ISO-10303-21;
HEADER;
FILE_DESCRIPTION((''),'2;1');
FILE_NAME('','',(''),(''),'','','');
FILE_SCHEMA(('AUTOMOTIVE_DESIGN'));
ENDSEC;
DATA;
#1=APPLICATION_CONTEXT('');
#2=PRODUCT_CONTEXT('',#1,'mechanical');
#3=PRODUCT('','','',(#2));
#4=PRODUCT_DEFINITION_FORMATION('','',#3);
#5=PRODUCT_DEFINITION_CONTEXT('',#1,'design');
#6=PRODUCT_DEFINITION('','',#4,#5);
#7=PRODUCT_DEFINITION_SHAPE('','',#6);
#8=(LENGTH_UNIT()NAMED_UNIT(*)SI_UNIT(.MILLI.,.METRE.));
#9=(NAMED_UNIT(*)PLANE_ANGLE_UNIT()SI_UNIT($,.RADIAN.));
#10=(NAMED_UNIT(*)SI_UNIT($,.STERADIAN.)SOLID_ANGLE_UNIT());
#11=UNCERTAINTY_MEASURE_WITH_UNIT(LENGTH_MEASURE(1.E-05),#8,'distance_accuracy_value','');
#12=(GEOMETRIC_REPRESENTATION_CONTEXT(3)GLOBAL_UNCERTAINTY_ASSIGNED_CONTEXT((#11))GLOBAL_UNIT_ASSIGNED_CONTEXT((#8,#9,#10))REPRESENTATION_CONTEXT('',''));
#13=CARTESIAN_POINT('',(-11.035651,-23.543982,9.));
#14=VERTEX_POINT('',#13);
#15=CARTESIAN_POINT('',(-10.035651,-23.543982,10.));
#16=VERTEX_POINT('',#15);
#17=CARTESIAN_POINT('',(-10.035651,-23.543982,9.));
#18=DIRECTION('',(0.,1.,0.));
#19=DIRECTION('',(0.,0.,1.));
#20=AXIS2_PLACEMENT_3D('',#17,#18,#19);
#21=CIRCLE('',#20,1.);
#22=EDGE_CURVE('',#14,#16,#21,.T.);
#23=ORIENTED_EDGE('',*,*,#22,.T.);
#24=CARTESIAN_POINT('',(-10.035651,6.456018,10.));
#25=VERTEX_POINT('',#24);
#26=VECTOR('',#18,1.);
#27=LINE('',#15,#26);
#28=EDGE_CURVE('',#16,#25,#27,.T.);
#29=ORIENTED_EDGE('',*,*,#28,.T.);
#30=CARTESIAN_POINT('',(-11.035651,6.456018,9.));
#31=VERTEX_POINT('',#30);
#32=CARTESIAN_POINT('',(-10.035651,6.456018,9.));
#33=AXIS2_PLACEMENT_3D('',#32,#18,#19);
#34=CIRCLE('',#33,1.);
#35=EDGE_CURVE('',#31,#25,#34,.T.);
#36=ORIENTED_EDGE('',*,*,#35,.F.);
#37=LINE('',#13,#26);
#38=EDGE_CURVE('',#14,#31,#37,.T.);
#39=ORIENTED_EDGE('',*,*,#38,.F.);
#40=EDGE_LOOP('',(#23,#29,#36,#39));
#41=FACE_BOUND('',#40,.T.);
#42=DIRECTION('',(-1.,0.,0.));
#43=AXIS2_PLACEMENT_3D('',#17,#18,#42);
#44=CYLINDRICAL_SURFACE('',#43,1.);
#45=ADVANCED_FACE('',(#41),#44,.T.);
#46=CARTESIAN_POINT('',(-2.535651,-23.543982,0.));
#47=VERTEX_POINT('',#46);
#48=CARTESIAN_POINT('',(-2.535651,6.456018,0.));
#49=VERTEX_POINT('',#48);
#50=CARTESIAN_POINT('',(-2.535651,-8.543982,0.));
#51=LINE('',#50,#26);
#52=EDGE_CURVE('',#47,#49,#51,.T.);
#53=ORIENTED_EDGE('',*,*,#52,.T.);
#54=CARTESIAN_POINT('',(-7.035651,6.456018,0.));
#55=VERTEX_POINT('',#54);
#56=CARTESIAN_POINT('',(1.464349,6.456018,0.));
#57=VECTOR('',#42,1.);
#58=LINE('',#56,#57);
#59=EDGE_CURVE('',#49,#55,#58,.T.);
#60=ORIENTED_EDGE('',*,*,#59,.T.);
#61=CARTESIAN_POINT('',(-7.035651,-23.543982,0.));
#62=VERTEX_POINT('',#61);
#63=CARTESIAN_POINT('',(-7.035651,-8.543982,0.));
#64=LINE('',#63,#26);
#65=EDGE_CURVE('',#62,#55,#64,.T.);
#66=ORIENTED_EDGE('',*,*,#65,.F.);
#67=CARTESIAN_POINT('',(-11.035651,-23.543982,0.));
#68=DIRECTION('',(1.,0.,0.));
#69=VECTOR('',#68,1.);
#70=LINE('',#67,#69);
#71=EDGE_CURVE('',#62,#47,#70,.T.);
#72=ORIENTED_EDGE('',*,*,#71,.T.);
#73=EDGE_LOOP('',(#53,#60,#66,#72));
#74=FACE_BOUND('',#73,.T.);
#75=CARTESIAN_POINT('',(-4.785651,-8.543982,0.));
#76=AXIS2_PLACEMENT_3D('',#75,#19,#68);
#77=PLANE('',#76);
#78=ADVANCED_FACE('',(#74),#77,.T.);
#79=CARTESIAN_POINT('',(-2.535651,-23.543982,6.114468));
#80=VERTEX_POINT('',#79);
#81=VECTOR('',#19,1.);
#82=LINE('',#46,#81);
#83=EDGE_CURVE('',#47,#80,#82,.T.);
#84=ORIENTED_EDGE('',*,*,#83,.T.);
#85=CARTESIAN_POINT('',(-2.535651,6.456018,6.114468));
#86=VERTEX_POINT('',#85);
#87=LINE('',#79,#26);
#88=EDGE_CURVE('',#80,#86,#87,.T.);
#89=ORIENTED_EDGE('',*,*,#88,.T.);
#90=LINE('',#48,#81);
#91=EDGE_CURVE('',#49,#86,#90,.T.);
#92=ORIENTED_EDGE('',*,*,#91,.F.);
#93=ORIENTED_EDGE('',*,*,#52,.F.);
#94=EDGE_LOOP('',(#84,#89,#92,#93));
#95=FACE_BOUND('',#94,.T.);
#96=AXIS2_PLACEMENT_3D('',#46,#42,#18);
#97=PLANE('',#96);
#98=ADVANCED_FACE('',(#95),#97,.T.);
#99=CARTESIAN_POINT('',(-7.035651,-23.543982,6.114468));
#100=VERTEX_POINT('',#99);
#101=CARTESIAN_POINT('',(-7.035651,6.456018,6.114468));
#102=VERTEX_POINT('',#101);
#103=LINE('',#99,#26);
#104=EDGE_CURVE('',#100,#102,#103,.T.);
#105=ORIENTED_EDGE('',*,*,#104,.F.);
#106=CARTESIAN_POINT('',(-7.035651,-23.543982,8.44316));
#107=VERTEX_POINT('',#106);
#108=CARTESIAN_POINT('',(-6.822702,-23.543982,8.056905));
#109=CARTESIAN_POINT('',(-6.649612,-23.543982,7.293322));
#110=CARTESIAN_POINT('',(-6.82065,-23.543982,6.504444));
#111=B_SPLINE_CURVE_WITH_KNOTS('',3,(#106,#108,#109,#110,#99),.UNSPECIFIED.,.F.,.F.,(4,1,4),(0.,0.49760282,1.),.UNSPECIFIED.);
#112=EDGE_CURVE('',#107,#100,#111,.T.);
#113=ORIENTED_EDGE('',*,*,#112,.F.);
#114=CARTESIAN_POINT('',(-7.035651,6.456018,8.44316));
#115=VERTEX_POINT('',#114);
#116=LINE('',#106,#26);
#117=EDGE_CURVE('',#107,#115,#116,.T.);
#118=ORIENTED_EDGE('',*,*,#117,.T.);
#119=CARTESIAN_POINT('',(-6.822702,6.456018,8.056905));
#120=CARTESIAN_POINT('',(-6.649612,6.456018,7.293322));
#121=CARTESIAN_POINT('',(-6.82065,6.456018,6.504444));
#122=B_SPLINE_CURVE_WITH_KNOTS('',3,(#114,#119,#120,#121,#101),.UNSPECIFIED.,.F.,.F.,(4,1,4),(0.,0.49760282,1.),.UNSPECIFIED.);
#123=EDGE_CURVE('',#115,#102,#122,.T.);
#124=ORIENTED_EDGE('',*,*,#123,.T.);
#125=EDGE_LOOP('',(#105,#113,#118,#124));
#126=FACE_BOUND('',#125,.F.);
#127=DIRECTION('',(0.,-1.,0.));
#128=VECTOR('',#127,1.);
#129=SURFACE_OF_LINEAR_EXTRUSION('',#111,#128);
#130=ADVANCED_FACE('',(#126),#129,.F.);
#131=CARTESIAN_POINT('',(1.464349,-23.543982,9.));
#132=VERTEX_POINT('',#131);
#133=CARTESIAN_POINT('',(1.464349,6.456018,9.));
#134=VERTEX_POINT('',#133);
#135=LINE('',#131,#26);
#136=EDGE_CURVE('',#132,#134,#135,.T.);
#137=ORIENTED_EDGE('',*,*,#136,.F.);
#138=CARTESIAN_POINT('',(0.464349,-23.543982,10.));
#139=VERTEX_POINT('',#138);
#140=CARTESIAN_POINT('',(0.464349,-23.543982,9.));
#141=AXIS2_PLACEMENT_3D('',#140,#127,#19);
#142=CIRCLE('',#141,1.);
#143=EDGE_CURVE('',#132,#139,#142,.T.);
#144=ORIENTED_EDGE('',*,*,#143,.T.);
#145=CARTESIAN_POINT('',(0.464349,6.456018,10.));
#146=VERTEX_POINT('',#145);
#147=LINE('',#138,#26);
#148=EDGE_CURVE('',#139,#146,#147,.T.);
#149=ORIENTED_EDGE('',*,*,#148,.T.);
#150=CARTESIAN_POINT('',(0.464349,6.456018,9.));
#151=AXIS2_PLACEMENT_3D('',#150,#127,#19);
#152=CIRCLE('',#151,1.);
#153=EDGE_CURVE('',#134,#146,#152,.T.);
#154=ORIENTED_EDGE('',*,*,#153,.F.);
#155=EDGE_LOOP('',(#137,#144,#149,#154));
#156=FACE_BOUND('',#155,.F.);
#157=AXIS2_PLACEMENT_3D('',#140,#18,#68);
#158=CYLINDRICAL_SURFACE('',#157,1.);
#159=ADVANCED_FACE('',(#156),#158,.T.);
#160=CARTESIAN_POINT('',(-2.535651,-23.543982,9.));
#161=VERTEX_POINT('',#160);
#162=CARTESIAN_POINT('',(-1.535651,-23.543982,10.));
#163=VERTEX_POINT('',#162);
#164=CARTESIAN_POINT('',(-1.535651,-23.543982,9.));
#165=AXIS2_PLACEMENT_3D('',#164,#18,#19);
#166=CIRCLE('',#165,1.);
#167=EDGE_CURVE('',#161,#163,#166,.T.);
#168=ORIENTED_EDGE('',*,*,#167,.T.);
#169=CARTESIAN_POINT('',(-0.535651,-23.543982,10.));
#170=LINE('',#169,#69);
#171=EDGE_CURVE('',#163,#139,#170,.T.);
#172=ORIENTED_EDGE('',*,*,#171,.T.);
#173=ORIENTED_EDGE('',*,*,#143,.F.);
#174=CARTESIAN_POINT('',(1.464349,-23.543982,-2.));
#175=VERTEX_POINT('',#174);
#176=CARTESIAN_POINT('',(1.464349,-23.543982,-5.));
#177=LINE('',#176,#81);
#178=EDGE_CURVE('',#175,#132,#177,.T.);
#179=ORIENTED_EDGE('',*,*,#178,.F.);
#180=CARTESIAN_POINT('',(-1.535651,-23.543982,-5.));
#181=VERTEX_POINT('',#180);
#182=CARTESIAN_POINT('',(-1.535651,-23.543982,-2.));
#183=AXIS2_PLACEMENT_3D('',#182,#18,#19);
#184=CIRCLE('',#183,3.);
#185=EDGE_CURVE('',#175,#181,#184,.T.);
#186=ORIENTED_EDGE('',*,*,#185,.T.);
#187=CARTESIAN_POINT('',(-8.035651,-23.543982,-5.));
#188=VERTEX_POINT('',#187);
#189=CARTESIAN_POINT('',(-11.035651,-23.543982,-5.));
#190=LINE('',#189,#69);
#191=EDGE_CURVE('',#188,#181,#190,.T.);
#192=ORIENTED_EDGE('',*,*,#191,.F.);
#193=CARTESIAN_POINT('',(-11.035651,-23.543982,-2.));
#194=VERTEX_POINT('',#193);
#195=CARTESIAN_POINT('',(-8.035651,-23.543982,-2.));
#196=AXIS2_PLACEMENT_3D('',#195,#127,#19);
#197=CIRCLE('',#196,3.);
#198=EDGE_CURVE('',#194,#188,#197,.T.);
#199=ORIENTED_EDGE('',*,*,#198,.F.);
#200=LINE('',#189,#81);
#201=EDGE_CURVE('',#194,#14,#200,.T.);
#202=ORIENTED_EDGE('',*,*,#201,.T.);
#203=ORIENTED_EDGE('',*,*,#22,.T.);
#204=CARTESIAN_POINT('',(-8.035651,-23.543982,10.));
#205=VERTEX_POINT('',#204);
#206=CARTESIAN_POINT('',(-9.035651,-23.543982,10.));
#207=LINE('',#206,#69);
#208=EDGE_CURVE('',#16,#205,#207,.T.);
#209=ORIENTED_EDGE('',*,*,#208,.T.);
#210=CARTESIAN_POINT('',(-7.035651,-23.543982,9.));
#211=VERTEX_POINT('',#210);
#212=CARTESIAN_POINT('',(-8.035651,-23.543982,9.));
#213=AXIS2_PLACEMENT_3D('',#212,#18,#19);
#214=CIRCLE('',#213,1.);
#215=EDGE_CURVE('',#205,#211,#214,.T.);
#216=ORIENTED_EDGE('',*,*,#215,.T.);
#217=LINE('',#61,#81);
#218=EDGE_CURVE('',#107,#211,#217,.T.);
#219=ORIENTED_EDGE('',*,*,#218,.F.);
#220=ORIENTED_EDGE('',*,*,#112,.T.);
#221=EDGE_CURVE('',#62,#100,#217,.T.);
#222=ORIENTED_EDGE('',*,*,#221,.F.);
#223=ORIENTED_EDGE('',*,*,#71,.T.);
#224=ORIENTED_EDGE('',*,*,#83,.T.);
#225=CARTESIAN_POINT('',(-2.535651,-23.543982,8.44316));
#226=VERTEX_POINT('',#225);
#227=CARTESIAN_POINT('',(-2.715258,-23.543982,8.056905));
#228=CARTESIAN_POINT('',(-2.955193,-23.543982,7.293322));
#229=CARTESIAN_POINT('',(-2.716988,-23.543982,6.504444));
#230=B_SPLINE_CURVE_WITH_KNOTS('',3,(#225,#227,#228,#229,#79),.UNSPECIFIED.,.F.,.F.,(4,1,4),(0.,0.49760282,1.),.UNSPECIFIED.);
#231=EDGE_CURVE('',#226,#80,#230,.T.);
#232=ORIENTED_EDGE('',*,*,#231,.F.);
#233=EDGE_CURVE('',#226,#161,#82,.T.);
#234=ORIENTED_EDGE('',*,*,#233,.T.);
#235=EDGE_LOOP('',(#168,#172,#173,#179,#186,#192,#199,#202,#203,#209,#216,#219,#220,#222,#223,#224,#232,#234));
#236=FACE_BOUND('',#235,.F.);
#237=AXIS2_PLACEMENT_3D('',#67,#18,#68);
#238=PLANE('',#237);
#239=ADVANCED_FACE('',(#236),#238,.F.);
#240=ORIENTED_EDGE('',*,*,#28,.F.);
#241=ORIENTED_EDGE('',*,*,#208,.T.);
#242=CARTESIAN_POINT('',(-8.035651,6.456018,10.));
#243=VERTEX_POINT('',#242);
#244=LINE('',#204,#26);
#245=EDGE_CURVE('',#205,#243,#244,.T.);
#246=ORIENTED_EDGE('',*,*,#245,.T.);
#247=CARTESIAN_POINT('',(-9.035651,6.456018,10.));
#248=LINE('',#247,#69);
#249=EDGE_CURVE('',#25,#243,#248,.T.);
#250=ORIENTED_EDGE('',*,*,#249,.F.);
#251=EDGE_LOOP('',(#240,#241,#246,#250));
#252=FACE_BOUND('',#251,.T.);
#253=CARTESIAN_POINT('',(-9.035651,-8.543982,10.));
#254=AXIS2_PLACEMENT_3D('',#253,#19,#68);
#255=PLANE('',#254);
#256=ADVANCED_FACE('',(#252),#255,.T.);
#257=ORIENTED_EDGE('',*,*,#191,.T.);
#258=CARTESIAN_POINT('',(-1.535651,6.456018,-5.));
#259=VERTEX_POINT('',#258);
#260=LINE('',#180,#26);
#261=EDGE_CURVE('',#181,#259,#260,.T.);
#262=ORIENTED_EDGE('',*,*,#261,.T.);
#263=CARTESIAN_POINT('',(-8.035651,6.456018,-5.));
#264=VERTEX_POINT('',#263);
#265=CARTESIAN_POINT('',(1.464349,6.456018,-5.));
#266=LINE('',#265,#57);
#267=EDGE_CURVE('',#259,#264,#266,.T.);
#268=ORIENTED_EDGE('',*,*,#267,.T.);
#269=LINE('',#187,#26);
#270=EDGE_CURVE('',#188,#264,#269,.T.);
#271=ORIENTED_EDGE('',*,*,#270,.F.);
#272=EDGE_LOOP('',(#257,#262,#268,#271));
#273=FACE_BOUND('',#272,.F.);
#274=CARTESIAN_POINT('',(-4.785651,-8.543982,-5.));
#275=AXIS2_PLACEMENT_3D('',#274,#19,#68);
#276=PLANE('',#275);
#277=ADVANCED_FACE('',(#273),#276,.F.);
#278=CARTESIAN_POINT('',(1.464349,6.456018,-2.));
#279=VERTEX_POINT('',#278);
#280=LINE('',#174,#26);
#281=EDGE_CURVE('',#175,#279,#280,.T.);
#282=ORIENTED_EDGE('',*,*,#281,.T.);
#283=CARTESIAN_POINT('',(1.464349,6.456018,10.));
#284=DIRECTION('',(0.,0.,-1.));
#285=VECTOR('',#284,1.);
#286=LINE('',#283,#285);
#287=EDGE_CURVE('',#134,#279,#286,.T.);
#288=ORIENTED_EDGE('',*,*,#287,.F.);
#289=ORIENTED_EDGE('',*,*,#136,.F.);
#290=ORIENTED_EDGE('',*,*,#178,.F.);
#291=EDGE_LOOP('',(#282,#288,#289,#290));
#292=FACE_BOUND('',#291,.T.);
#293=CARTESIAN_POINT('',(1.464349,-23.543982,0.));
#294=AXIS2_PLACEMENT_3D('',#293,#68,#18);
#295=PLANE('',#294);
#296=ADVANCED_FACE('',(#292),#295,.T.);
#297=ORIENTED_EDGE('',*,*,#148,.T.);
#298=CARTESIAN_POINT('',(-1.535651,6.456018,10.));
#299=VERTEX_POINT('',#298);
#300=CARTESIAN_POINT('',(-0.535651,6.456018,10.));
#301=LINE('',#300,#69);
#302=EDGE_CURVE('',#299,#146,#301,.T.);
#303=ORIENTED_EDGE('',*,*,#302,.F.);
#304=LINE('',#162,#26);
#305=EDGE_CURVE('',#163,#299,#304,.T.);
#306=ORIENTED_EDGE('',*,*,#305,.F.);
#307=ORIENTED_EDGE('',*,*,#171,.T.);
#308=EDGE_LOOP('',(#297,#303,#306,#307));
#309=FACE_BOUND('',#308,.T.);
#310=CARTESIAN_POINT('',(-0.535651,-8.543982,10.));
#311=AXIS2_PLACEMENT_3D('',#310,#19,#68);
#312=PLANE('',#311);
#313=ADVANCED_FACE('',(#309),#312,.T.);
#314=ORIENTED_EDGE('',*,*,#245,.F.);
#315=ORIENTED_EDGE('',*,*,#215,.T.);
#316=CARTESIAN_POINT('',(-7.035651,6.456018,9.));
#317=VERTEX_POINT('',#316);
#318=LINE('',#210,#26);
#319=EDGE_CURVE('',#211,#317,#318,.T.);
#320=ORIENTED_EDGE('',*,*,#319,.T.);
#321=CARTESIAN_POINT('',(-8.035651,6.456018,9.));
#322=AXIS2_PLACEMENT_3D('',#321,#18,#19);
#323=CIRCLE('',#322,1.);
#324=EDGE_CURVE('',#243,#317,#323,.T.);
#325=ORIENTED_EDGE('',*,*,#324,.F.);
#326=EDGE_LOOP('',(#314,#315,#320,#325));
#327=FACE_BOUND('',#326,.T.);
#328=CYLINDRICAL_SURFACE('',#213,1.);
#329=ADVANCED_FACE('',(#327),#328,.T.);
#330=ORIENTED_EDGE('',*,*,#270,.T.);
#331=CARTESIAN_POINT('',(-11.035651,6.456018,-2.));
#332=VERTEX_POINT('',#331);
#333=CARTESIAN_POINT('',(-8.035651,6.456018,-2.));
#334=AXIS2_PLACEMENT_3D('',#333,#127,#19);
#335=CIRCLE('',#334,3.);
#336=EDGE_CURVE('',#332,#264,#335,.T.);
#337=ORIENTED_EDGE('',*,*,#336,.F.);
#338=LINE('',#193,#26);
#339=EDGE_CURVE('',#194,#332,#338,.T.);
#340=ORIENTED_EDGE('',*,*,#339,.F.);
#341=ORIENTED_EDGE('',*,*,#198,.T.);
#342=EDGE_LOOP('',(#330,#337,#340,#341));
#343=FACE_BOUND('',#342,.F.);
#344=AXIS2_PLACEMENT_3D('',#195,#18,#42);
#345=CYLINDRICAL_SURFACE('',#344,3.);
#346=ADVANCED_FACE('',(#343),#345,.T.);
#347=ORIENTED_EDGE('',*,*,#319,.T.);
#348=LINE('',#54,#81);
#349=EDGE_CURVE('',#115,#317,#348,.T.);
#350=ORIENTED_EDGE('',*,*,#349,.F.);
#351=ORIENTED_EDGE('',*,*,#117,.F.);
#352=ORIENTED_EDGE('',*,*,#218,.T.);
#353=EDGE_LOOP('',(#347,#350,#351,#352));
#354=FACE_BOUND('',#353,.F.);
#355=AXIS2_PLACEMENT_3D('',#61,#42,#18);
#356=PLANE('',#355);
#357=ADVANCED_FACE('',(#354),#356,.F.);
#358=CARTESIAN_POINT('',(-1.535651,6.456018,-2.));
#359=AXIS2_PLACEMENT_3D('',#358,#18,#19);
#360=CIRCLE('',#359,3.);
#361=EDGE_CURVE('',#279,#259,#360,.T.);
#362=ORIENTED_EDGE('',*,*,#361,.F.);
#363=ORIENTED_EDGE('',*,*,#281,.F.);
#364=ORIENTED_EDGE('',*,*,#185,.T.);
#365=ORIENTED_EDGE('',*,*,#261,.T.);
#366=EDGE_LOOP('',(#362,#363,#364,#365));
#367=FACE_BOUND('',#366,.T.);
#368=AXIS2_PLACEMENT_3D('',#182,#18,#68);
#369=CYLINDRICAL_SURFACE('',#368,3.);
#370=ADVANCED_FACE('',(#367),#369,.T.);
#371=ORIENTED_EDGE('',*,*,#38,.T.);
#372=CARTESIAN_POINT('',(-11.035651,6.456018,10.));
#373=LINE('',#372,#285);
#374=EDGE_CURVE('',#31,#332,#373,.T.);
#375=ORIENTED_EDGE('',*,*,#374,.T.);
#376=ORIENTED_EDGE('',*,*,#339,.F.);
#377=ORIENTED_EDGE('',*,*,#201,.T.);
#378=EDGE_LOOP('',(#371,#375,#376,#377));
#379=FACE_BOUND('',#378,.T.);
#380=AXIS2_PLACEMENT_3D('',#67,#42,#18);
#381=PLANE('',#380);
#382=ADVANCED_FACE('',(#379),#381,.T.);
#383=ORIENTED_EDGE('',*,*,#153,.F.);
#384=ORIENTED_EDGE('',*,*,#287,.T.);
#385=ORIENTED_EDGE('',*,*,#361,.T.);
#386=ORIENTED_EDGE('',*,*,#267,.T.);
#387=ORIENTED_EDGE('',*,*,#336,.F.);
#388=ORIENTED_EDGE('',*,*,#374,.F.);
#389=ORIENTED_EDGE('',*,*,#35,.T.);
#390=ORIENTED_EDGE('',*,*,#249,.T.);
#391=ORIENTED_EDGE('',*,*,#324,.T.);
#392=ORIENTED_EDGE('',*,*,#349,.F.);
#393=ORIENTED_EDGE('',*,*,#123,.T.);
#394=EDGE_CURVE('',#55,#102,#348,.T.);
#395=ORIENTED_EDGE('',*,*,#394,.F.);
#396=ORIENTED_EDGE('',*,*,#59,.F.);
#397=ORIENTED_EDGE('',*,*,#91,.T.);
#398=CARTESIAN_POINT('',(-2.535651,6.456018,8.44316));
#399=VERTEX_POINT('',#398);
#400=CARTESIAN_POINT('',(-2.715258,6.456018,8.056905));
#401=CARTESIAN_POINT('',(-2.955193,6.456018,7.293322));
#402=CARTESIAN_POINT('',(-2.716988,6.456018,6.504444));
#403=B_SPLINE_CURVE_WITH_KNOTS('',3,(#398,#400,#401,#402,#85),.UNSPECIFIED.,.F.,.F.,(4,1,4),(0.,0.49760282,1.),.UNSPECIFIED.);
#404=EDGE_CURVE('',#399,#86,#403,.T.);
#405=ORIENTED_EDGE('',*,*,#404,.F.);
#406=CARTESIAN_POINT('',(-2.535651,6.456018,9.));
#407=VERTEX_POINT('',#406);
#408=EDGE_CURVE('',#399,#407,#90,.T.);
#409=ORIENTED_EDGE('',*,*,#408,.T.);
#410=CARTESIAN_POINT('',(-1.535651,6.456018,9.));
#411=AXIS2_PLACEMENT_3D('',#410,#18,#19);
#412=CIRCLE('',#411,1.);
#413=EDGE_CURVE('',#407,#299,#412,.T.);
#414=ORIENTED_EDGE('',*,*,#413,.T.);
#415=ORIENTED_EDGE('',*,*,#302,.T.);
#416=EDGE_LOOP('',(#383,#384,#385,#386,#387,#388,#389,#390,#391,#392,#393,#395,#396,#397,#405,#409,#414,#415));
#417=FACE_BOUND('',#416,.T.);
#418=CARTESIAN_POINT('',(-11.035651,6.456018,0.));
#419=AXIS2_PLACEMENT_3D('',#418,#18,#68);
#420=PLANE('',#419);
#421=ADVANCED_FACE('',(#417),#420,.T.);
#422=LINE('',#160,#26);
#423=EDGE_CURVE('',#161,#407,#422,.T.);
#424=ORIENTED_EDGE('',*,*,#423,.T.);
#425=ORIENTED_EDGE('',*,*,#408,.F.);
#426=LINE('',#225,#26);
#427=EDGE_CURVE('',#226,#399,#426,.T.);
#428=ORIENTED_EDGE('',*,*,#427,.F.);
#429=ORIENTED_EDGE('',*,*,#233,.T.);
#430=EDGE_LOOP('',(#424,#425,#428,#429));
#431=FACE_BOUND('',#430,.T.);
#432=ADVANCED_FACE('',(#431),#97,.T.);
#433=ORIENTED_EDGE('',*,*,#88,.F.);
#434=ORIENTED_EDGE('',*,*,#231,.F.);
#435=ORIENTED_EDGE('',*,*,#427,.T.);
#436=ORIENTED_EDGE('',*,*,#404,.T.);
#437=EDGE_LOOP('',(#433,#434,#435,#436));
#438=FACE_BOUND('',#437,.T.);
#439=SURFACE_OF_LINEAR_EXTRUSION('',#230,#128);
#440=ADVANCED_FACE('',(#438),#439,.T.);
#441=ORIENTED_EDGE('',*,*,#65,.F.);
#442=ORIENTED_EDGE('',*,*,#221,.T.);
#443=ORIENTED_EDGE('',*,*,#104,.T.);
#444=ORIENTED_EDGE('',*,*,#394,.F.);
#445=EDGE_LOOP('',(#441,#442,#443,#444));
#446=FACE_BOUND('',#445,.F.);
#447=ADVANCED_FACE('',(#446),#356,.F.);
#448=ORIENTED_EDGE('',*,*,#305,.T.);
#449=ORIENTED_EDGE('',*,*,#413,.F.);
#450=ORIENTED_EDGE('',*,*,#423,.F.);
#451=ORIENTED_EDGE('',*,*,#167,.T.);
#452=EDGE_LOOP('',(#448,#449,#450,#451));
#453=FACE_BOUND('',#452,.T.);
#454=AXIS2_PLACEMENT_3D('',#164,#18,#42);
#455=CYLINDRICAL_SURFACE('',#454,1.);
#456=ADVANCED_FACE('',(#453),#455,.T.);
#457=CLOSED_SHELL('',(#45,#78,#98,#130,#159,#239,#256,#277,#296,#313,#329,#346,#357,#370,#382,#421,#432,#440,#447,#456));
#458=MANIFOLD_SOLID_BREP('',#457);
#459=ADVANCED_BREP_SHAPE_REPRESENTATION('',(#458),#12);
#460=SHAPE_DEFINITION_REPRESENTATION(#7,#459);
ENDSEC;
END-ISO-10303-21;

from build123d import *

# Parameters (mm, degrees)
F0_W     = 4.5
F0_H     = 30
F0_W_2   = 4
F1_DEPTH = 5
F2_DEPTH = 10
F3_R     = 3
F4_R     = 1
F6_DEPTH = 30


with BuildPart() as f1:
    # F0 (on Top) → F1 (new body)
    with BuildSketch(Plane.XY):
        with Locations((-4.7856509686, -8.5439818352)):
            Rectangle(F0_W, F0_H)
        with Locations((-9.0356509686, -8.5439818352)):
            Rectangle(F0_W_2, F0_H)
        with Locations((-0.5356509686, -8.5439818352)):
            Rectangle(F0_W_2, F0_H)
    extrude(amount=-F1_DEPTH)

    # F0 (on Top) → F2 (join)
    with BuildSketch(Plane.XY):
        with Locations((-9.0356509686, -8.5439818352)):
            Rectangle(F0_W_2, F0_H)
        with Locations((-0.5356509686, -8.5439818352)):
            Rectangle(F0_W_2, F0_H)
    extrude(amount=F2_DEPTH)

    # F3
    f3_edges = [f1.edges().sort_by_distance(p)[0] for p in [
        (1.464349, -8.543982, -5),
        (-11.035651, -8.543982, -5),
    ]]
    fillet(f3_edges, radius=F3_R)

    # F4
    f4_edges = [f1.edges().sort_by_distance(p)[0] for p in [
        (-7.035651, -8.543982, 10),
        (-11.035651, -8.543982, 10),
        (1.464349, -8.543982, 10),
        (-2.535651, -8.543982, 10),
    ]]
    fillet(f4_edges, radius=F4_R)

    # F5 (on face) → F6 (join)
    with BuildSketch(Plane.XZ.offset(23.5439818352)):
        with BuildLine():
            Line((-2.5356509686, 6.1144679785), (-2.5356509686, 8.4431599826))
            add(Edge.make_bspline(
                [(-2.5356509686, 8.4431599826), (-2.7152575285, 8.0569054131), (-2.9551929536, 7.2933215725), (-2.7169880221, 6.5044440771), (-2.5356509686, 6.1144679785)],
                knots=[0, 0, 0, 0, 0.49760282, 1, 1, 1, 1], degree=3))
        make_face()
        with BuildLine():
            Line((-7.0356509686, 8.4431599826), (-7.0356509686, 6.1144679785))
            add(Edge.make_bspline(
                [(-7.0356509686, 8.4431599826), (-6.8227021242, 8.0569054131), (-6.6496118928, 7.2933215725), (-6.8206503806, 6.5044440771), (-7.0356509686, 6.1144679785)],
                knots=[0, 0, 0, 0, 0.49760282, 1, 1, 1, 1], degree=3))
        make_face()
    extrude(amount=-F6_DEPTH)


solid = f1.part
